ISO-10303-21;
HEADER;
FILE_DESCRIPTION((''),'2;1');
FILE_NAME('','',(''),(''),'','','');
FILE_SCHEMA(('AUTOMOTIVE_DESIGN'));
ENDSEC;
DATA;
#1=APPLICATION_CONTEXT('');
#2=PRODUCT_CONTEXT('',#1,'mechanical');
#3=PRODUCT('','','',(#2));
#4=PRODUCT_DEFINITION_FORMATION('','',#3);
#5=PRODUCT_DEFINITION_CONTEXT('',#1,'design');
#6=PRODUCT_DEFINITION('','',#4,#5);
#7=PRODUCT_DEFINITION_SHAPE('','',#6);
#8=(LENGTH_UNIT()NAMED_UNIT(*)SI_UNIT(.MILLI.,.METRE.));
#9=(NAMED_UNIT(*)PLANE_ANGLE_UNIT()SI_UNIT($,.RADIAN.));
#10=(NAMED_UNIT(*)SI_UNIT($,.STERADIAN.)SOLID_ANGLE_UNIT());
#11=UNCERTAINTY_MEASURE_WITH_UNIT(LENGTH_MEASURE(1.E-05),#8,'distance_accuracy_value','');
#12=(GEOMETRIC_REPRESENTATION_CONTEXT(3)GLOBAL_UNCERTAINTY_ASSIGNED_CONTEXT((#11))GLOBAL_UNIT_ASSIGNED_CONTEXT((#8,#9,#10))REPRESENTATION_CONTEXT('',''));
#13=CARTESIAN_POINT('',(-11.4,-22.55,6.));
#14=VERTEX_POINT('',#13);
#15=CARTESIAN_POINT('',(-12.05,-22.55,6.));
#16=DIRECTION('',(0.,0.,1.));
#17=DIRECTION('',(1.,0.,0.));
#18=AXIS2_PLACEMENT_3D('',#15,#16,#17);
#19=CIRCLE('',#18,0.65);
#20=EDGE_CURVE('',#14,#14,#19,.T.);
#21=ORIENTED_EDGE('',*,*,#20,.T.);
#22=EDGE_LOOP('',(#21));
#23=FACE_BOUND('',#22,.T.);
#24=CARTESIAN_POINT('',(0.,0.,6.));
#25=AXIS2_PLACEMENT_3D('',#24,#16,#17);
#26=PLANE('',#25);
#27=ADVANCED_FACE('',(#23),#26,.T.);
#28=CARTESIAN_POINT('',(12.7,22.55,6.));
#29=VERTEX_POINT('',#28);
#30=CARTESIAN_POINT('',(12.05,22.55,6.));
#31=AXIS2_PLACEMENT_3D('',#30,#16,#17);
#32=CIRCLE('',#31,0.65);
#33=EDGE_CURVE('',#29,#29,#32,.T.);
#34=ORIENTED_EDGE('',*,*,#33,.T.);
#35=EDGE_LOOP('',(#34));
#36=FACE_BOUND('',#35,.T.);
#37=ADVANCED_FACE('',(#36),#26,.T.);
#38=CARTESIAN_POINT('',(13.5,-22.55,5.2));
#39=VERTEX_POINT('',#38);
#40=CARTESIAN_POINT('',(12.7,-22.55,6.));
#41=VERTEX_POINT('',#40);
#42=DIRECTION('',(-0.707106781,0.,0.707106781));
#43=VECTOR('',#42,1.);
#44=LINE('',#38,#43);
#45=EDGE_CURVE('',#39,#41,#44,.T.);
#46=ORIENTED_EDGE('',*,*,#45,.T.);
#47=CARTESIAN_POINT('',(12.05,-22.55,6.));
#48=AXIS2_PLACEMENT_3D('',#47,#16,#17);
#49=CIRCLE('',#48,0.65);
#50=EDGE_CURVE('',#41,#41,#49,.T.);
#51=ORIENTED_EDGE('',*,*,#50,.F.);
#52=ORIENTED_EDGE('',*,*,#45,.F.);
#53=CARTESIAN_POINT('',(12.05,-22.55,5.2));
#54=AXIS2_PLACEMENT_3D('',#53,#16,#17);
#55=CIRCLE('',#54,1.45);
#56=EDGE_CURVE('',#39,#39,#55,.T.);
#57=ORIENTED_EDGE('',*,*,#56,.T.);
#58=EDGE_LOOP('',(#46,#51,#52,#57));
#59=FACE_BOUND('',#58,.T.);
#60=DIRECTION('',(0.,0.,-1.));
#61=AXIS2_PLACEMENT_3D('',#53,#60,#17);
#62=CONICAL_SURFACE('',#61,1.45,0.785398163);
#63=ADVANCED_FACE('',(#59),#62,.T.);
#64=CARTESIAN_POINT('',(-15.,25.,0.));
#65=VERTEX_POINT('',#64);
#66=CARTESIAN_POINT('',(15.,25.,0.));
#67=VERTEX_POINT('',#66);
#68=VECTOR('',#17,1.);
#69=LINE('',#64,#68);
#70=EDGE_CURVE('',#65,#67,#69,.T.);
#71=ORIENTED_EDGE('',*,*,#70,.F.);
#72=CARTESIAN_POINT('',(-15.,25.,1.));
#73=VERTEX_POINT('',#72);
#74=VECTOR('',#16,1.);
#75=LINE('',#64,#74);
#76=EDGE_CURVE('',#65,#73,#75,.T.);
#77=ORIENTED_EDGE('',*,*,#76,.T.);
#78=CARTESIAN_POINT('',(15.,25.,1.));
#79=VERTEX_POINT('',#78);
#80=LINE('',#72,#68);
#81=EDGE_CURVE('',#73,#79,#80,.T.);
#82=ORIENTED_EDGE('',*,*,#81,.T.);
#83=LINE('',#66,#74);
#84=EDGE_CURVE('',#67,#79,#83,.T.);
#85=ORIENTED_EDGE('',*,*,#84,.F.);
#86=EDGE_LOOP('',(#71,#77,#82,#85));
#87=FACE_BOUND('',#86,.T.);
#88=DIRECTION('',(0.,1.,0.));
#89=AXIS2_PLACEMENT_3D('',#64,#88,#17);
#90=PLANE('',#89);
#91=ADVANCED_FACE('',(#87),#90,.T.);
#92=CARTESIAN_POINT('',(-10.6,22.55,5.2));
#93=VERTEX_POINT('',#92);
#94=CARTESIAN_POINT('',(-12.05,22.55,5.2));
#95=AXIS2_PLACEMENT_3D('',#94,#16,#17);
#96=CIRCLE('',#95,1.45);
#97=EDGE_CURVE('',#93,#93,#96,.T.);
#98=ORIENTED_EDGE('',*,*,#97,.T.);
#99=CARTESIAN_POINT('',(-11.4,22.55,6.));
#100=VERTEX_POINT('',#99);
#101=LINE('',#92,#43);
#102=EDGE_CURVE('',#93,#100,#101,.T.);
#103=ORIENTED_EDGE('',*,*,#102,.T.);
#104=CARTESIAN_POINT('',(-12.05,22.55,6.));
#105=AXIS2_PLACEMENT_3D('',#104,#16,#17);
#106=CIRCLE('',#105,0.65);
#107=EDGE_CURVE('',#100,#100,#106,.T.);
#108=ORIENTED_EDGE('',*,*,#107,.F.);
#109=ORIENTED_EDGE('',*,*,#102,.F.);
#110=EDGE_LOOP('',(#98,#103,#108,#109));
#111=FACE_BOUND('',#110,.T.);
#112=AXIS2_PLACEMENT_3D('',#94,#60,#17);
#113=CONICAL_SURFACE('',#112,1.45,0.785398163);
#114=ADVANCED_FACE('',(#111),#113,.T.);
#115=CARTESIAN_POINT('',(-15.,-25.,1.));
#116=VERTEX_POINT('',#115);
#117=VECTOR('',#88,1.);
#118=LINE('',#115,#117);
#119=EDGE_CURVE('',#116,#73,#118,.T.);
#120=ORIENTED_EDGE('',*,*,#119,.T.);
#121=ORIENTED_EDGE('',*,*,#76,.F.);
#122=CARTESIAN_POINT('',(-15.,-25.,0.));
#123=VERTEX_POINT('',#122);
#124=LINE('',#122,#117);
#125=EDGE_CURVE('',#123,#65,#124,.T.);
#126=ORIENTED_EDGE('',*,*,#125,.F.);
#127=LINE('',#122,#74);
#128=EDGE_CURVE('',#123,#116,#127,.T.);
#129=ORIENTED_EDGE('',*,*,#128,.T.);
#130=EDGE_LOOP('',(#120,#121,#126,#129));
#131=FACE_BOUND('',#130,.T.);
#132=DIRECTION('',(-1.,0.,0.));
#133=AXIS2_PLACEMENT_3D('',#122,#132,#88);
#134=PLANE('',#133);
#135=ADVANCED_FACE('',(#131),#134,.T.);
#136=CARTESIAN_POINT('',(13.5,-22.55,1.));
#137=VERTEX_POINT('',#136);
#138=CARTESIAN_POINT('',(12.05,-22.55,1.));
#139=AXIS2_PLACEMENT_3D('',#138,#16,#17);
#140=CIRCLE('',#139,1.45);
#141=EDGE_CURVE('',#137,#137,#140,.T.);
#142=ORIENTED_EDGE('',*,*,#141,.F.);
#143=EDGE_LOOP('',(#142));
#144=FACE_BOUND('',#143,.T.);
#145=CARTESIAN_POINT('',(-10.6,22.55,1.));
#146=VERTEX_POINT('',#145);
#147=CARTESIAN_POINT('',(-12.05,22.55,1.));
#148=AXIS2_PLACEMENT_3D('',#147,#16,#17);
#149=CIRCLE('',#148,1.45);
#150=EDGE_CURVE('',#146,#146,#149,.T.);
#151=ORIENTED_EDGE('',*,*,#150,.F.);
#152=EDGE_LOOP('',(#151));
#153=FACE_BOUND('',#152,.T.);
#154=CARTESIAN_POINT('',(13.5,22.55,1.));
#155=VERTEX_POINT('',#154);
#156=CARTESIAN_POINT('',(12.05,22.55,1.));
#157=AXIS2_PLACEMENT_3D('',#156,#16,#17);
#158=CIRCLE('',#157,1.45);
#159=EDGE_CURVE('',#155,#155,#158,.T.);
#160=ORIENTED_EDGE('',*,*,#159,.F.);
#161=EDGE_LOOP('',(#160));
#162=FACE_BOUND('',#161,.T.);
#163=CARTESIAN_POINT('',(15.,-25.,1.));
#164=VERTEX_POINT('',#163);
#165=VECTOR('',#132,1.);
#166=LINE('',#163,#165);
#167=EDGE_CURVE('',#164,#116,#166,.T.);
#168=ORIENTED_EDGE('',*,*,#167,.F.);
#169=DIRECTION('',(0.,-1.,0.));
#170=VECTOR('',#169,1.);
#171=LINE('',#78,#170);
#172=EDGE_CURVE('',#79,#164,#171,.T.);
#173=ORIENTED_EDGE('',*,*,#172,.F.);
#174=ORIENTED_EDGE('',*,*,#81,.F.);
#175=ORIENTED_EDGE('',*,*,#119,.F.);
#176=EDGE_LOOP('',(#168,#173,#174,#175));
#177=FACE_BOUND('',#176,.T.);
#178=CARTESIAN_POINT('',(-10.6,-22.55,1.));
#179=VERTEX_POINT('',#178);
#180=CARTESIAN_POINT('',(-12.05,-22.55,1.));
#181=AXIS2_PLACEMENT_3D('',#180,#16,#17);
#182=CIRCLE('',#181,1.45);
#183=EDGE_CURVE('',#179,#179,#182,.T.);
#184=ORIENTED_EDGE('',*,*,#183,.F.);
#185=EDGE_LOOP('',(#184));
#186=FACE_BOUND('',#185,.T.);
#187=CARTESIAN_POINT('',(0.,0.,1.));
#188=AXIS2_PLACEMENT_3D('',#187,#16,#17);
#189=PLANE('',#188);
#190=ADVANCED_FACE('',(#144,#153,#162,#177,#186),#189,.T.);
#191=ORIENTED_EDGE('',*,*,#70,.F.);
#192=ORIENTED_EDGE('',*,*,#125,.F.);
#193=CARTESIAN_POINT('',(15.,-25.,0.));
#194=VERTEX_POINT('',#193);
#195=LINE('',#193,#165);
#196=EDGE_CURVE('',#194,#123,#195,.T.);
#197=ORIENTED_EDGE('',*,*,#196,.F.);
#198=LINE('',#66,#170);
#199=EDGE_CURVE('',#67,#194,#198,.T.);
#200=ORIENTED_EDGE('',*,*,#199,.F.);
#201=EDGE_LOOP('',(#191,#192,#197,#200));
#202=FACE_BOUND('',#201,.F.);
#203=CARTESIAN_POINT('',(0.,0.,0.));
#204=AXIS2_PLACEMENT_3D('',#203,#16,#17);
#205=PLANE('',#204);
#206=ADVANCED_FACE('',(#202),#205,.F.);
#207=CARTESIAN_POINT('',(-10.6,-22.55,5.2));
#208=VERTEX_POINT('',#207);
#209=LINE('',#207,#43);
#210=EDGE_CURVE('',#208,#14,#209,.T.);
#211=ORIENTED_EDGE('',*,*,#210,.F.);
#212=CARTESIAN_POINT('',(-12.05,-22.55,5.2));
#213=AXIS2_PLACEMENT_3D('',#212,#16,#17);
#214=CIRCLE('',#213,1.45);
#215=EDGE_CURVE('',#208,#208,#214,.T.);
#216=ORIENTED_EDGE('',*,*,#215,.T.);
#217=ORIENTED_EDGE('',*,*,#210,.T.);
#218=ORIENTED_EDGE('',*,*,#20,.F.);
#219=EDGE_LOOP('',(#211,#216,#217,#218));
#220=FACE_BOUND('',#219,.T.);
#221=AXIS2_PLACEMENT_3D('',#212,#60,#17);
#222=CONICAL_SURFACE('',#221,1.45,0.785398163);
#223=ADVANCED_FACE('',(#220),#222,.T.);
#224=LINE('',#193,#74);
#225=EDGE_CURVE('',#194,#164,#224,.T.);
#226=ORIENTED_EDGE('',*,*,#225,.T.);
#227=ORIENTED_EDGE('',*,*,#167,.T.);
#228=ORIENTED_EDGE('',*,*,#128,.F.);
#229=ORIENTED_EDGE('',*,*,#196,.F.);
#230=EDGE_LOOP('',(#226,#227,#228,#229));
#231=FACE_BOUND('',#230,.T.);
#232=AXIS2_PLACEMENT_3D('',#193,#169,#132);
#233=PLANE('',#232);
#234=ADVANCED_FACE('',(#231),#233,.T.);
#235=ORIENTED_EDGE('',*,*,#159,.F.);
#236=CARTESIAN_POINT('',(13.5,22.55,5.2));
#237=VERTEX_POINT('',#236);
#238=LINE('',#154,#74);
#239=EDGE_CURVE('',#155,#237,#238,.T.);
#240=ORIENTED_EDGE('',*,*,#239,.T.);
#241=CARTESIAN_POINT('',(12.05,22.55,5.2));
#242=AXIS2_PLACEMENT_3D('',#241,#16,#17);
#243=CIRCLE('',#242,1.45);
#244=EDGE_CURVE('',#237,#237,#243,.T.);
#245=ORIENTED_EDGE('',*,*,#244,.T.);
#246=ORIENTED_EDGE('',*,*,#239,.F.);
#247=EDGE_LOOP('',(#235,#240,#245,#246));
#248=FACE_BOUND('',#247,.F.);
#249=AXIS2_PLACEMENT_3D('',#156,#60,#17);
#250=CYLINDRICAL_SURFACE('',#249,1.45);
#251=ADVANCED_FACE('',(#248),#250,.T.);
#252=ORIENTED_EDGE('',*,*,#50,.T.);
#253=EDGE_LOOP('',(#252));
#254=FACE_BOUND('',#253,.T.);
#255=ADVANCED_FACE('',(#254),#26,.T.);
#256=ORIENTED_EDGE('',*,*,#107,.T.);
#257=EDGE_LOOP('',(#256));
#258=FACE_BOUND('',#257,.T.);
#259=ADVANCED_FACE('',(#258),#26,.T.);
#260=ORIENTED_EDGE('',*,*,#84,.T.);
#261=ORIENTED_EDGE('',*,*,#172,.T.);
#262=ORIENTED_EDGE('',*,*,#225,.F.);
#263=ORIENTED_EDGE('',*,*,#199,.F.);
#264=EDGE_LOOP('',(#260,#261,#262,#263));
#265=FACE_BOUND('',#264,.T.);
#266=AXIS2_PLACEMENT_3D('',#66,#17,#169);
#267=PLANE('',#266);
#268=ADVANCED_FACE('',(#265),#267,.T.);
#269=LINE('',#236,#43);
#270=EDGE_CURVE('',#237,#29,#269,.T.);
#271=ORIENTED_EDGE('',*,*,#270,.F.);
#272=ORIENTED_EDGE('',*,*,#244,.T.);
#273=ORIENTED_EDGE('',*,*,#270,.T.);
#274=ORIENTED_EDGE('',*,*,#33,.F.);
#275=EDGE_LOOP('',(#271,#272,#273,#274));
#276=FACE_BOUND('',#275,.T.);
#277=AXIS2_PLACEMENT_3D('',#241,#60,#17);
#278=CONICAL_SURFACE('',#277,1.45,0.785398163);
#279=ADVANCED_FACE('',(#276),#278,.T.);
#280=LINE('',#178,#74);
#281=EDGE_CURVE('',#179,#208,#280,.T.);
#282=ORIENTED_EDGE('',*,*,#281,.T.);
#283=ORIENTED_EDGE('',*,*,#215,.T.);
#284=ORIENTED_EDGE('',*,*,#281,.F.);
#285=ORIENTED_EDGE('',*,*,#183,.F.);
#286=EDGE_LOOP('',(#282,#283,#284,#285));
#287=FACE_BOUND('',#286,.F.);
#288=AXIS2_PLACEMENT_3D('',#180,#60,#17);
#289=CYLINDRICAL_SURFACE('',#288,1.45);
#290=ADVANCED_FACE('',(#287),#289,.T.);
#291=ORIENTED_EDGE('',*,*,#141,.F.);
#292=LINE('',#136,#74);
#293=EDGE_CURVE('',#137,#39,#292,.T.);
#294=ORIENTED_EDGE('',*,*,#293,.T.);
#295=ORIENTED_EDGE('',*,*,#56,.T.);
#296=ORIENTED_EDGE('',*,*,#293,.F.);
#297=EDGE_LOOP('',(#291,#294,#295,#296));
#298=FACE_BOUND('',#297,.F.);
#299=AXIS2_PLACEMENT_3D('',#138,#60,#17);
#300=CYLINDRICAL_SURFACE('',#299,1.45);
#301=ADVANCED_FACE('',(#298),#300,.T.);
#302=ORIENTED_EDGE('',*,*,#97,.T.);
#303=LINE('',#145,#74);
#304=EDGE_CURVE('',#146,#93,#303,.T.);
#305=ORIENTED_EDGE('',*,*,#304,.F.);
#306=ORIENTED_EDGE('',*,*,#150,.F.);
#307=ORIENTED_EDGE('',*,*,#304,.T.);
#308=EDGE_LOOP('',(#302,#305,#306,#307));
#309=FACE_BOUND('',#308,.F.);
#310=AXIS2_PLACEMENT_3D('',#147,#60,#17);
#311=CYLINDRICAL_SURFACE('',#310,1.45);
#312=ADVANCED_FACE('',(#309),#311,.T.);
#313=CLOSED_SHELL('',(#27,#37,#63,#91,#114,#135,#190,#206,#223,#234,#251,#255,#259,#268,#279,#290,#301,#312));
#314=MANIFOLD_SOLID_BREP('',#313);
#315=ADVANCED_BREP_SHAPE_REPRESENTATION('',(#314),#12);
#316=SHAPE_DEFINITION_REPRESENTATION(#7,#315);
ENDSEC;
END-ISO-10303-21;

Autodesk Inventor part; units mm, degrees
ref_plane "YZ Plane" through (0, 0, 0) normal (1, 0, 0) x (0, 1, 0)
ref_plane "XZ Plane" through (0, 0, 0) normal (0, 1, 0) x (-1, 0, 0)
ref_plane "XY Plane" through (0, 0, 0) normal (0, 0, 1) x (1, 0, 0)
sketch "Sketch1" plane through (0, 0, 0) normal (0, 0, 1) x (1, 0, 0)
  circle A0 centre (12.05, 22.55) radius 1.45 projected
  circle A1 centre (-12.05, 22.55) radius 1.45 projected
  circle A2 centre (-12.05, -22.55) radius 1.45 projected
  circle A3 centre (12.05, -22.55) radius 1.45 projected
  line L0 (15, -25) -> (-15, -25) projected
  line L1 (15, 25) -> (15, -25) projected
  line L2 (-15, 25) -> (15, 25) projected
  line L3 (-15, -25) -> (-15, 25) projected
  point P0 (0, 0)
extrude "Extrusion1" add sketch "Sketch1" along normal blind 1
sketch "Sketch2" plane through (0, 0, 1) normal (0, 0, 1) x (1, 0, 0)
  line L0 (15, 25) -> (-15, 25) projected
  line L1 (-15, 25) -> (-15, -25) projected
  line L2 (-15, -25) -> (15, -25) projected
  line L3 (15, -25) -> (15, 25) projected
  circle A0 centre (12.05, -22.55) radius 1.45 projected
  circle A1 centre (-12.05, -22.55) radius 1.45 projected
  circle A2 centre (-12.05, 22.55) radius 1.45 projected
  circle A3 centre (12.05, 22.55) radius 1.45 projected
  point P0 (0, 0)
extrude "Extrusion2" add sketch "Sketch2" along normal blind 5 and the other way blind 1 contours A0 | A1 | A2 | A3
chamfer "Chamfer1" distance 0.8 angle 45 4 edges at (-13.5, -22.55, 6) (-13.5, 22.55, 6) (10.6, 22.55, 6) (10.6, -22.55, 6)
properties part number "buck_holes_check"
